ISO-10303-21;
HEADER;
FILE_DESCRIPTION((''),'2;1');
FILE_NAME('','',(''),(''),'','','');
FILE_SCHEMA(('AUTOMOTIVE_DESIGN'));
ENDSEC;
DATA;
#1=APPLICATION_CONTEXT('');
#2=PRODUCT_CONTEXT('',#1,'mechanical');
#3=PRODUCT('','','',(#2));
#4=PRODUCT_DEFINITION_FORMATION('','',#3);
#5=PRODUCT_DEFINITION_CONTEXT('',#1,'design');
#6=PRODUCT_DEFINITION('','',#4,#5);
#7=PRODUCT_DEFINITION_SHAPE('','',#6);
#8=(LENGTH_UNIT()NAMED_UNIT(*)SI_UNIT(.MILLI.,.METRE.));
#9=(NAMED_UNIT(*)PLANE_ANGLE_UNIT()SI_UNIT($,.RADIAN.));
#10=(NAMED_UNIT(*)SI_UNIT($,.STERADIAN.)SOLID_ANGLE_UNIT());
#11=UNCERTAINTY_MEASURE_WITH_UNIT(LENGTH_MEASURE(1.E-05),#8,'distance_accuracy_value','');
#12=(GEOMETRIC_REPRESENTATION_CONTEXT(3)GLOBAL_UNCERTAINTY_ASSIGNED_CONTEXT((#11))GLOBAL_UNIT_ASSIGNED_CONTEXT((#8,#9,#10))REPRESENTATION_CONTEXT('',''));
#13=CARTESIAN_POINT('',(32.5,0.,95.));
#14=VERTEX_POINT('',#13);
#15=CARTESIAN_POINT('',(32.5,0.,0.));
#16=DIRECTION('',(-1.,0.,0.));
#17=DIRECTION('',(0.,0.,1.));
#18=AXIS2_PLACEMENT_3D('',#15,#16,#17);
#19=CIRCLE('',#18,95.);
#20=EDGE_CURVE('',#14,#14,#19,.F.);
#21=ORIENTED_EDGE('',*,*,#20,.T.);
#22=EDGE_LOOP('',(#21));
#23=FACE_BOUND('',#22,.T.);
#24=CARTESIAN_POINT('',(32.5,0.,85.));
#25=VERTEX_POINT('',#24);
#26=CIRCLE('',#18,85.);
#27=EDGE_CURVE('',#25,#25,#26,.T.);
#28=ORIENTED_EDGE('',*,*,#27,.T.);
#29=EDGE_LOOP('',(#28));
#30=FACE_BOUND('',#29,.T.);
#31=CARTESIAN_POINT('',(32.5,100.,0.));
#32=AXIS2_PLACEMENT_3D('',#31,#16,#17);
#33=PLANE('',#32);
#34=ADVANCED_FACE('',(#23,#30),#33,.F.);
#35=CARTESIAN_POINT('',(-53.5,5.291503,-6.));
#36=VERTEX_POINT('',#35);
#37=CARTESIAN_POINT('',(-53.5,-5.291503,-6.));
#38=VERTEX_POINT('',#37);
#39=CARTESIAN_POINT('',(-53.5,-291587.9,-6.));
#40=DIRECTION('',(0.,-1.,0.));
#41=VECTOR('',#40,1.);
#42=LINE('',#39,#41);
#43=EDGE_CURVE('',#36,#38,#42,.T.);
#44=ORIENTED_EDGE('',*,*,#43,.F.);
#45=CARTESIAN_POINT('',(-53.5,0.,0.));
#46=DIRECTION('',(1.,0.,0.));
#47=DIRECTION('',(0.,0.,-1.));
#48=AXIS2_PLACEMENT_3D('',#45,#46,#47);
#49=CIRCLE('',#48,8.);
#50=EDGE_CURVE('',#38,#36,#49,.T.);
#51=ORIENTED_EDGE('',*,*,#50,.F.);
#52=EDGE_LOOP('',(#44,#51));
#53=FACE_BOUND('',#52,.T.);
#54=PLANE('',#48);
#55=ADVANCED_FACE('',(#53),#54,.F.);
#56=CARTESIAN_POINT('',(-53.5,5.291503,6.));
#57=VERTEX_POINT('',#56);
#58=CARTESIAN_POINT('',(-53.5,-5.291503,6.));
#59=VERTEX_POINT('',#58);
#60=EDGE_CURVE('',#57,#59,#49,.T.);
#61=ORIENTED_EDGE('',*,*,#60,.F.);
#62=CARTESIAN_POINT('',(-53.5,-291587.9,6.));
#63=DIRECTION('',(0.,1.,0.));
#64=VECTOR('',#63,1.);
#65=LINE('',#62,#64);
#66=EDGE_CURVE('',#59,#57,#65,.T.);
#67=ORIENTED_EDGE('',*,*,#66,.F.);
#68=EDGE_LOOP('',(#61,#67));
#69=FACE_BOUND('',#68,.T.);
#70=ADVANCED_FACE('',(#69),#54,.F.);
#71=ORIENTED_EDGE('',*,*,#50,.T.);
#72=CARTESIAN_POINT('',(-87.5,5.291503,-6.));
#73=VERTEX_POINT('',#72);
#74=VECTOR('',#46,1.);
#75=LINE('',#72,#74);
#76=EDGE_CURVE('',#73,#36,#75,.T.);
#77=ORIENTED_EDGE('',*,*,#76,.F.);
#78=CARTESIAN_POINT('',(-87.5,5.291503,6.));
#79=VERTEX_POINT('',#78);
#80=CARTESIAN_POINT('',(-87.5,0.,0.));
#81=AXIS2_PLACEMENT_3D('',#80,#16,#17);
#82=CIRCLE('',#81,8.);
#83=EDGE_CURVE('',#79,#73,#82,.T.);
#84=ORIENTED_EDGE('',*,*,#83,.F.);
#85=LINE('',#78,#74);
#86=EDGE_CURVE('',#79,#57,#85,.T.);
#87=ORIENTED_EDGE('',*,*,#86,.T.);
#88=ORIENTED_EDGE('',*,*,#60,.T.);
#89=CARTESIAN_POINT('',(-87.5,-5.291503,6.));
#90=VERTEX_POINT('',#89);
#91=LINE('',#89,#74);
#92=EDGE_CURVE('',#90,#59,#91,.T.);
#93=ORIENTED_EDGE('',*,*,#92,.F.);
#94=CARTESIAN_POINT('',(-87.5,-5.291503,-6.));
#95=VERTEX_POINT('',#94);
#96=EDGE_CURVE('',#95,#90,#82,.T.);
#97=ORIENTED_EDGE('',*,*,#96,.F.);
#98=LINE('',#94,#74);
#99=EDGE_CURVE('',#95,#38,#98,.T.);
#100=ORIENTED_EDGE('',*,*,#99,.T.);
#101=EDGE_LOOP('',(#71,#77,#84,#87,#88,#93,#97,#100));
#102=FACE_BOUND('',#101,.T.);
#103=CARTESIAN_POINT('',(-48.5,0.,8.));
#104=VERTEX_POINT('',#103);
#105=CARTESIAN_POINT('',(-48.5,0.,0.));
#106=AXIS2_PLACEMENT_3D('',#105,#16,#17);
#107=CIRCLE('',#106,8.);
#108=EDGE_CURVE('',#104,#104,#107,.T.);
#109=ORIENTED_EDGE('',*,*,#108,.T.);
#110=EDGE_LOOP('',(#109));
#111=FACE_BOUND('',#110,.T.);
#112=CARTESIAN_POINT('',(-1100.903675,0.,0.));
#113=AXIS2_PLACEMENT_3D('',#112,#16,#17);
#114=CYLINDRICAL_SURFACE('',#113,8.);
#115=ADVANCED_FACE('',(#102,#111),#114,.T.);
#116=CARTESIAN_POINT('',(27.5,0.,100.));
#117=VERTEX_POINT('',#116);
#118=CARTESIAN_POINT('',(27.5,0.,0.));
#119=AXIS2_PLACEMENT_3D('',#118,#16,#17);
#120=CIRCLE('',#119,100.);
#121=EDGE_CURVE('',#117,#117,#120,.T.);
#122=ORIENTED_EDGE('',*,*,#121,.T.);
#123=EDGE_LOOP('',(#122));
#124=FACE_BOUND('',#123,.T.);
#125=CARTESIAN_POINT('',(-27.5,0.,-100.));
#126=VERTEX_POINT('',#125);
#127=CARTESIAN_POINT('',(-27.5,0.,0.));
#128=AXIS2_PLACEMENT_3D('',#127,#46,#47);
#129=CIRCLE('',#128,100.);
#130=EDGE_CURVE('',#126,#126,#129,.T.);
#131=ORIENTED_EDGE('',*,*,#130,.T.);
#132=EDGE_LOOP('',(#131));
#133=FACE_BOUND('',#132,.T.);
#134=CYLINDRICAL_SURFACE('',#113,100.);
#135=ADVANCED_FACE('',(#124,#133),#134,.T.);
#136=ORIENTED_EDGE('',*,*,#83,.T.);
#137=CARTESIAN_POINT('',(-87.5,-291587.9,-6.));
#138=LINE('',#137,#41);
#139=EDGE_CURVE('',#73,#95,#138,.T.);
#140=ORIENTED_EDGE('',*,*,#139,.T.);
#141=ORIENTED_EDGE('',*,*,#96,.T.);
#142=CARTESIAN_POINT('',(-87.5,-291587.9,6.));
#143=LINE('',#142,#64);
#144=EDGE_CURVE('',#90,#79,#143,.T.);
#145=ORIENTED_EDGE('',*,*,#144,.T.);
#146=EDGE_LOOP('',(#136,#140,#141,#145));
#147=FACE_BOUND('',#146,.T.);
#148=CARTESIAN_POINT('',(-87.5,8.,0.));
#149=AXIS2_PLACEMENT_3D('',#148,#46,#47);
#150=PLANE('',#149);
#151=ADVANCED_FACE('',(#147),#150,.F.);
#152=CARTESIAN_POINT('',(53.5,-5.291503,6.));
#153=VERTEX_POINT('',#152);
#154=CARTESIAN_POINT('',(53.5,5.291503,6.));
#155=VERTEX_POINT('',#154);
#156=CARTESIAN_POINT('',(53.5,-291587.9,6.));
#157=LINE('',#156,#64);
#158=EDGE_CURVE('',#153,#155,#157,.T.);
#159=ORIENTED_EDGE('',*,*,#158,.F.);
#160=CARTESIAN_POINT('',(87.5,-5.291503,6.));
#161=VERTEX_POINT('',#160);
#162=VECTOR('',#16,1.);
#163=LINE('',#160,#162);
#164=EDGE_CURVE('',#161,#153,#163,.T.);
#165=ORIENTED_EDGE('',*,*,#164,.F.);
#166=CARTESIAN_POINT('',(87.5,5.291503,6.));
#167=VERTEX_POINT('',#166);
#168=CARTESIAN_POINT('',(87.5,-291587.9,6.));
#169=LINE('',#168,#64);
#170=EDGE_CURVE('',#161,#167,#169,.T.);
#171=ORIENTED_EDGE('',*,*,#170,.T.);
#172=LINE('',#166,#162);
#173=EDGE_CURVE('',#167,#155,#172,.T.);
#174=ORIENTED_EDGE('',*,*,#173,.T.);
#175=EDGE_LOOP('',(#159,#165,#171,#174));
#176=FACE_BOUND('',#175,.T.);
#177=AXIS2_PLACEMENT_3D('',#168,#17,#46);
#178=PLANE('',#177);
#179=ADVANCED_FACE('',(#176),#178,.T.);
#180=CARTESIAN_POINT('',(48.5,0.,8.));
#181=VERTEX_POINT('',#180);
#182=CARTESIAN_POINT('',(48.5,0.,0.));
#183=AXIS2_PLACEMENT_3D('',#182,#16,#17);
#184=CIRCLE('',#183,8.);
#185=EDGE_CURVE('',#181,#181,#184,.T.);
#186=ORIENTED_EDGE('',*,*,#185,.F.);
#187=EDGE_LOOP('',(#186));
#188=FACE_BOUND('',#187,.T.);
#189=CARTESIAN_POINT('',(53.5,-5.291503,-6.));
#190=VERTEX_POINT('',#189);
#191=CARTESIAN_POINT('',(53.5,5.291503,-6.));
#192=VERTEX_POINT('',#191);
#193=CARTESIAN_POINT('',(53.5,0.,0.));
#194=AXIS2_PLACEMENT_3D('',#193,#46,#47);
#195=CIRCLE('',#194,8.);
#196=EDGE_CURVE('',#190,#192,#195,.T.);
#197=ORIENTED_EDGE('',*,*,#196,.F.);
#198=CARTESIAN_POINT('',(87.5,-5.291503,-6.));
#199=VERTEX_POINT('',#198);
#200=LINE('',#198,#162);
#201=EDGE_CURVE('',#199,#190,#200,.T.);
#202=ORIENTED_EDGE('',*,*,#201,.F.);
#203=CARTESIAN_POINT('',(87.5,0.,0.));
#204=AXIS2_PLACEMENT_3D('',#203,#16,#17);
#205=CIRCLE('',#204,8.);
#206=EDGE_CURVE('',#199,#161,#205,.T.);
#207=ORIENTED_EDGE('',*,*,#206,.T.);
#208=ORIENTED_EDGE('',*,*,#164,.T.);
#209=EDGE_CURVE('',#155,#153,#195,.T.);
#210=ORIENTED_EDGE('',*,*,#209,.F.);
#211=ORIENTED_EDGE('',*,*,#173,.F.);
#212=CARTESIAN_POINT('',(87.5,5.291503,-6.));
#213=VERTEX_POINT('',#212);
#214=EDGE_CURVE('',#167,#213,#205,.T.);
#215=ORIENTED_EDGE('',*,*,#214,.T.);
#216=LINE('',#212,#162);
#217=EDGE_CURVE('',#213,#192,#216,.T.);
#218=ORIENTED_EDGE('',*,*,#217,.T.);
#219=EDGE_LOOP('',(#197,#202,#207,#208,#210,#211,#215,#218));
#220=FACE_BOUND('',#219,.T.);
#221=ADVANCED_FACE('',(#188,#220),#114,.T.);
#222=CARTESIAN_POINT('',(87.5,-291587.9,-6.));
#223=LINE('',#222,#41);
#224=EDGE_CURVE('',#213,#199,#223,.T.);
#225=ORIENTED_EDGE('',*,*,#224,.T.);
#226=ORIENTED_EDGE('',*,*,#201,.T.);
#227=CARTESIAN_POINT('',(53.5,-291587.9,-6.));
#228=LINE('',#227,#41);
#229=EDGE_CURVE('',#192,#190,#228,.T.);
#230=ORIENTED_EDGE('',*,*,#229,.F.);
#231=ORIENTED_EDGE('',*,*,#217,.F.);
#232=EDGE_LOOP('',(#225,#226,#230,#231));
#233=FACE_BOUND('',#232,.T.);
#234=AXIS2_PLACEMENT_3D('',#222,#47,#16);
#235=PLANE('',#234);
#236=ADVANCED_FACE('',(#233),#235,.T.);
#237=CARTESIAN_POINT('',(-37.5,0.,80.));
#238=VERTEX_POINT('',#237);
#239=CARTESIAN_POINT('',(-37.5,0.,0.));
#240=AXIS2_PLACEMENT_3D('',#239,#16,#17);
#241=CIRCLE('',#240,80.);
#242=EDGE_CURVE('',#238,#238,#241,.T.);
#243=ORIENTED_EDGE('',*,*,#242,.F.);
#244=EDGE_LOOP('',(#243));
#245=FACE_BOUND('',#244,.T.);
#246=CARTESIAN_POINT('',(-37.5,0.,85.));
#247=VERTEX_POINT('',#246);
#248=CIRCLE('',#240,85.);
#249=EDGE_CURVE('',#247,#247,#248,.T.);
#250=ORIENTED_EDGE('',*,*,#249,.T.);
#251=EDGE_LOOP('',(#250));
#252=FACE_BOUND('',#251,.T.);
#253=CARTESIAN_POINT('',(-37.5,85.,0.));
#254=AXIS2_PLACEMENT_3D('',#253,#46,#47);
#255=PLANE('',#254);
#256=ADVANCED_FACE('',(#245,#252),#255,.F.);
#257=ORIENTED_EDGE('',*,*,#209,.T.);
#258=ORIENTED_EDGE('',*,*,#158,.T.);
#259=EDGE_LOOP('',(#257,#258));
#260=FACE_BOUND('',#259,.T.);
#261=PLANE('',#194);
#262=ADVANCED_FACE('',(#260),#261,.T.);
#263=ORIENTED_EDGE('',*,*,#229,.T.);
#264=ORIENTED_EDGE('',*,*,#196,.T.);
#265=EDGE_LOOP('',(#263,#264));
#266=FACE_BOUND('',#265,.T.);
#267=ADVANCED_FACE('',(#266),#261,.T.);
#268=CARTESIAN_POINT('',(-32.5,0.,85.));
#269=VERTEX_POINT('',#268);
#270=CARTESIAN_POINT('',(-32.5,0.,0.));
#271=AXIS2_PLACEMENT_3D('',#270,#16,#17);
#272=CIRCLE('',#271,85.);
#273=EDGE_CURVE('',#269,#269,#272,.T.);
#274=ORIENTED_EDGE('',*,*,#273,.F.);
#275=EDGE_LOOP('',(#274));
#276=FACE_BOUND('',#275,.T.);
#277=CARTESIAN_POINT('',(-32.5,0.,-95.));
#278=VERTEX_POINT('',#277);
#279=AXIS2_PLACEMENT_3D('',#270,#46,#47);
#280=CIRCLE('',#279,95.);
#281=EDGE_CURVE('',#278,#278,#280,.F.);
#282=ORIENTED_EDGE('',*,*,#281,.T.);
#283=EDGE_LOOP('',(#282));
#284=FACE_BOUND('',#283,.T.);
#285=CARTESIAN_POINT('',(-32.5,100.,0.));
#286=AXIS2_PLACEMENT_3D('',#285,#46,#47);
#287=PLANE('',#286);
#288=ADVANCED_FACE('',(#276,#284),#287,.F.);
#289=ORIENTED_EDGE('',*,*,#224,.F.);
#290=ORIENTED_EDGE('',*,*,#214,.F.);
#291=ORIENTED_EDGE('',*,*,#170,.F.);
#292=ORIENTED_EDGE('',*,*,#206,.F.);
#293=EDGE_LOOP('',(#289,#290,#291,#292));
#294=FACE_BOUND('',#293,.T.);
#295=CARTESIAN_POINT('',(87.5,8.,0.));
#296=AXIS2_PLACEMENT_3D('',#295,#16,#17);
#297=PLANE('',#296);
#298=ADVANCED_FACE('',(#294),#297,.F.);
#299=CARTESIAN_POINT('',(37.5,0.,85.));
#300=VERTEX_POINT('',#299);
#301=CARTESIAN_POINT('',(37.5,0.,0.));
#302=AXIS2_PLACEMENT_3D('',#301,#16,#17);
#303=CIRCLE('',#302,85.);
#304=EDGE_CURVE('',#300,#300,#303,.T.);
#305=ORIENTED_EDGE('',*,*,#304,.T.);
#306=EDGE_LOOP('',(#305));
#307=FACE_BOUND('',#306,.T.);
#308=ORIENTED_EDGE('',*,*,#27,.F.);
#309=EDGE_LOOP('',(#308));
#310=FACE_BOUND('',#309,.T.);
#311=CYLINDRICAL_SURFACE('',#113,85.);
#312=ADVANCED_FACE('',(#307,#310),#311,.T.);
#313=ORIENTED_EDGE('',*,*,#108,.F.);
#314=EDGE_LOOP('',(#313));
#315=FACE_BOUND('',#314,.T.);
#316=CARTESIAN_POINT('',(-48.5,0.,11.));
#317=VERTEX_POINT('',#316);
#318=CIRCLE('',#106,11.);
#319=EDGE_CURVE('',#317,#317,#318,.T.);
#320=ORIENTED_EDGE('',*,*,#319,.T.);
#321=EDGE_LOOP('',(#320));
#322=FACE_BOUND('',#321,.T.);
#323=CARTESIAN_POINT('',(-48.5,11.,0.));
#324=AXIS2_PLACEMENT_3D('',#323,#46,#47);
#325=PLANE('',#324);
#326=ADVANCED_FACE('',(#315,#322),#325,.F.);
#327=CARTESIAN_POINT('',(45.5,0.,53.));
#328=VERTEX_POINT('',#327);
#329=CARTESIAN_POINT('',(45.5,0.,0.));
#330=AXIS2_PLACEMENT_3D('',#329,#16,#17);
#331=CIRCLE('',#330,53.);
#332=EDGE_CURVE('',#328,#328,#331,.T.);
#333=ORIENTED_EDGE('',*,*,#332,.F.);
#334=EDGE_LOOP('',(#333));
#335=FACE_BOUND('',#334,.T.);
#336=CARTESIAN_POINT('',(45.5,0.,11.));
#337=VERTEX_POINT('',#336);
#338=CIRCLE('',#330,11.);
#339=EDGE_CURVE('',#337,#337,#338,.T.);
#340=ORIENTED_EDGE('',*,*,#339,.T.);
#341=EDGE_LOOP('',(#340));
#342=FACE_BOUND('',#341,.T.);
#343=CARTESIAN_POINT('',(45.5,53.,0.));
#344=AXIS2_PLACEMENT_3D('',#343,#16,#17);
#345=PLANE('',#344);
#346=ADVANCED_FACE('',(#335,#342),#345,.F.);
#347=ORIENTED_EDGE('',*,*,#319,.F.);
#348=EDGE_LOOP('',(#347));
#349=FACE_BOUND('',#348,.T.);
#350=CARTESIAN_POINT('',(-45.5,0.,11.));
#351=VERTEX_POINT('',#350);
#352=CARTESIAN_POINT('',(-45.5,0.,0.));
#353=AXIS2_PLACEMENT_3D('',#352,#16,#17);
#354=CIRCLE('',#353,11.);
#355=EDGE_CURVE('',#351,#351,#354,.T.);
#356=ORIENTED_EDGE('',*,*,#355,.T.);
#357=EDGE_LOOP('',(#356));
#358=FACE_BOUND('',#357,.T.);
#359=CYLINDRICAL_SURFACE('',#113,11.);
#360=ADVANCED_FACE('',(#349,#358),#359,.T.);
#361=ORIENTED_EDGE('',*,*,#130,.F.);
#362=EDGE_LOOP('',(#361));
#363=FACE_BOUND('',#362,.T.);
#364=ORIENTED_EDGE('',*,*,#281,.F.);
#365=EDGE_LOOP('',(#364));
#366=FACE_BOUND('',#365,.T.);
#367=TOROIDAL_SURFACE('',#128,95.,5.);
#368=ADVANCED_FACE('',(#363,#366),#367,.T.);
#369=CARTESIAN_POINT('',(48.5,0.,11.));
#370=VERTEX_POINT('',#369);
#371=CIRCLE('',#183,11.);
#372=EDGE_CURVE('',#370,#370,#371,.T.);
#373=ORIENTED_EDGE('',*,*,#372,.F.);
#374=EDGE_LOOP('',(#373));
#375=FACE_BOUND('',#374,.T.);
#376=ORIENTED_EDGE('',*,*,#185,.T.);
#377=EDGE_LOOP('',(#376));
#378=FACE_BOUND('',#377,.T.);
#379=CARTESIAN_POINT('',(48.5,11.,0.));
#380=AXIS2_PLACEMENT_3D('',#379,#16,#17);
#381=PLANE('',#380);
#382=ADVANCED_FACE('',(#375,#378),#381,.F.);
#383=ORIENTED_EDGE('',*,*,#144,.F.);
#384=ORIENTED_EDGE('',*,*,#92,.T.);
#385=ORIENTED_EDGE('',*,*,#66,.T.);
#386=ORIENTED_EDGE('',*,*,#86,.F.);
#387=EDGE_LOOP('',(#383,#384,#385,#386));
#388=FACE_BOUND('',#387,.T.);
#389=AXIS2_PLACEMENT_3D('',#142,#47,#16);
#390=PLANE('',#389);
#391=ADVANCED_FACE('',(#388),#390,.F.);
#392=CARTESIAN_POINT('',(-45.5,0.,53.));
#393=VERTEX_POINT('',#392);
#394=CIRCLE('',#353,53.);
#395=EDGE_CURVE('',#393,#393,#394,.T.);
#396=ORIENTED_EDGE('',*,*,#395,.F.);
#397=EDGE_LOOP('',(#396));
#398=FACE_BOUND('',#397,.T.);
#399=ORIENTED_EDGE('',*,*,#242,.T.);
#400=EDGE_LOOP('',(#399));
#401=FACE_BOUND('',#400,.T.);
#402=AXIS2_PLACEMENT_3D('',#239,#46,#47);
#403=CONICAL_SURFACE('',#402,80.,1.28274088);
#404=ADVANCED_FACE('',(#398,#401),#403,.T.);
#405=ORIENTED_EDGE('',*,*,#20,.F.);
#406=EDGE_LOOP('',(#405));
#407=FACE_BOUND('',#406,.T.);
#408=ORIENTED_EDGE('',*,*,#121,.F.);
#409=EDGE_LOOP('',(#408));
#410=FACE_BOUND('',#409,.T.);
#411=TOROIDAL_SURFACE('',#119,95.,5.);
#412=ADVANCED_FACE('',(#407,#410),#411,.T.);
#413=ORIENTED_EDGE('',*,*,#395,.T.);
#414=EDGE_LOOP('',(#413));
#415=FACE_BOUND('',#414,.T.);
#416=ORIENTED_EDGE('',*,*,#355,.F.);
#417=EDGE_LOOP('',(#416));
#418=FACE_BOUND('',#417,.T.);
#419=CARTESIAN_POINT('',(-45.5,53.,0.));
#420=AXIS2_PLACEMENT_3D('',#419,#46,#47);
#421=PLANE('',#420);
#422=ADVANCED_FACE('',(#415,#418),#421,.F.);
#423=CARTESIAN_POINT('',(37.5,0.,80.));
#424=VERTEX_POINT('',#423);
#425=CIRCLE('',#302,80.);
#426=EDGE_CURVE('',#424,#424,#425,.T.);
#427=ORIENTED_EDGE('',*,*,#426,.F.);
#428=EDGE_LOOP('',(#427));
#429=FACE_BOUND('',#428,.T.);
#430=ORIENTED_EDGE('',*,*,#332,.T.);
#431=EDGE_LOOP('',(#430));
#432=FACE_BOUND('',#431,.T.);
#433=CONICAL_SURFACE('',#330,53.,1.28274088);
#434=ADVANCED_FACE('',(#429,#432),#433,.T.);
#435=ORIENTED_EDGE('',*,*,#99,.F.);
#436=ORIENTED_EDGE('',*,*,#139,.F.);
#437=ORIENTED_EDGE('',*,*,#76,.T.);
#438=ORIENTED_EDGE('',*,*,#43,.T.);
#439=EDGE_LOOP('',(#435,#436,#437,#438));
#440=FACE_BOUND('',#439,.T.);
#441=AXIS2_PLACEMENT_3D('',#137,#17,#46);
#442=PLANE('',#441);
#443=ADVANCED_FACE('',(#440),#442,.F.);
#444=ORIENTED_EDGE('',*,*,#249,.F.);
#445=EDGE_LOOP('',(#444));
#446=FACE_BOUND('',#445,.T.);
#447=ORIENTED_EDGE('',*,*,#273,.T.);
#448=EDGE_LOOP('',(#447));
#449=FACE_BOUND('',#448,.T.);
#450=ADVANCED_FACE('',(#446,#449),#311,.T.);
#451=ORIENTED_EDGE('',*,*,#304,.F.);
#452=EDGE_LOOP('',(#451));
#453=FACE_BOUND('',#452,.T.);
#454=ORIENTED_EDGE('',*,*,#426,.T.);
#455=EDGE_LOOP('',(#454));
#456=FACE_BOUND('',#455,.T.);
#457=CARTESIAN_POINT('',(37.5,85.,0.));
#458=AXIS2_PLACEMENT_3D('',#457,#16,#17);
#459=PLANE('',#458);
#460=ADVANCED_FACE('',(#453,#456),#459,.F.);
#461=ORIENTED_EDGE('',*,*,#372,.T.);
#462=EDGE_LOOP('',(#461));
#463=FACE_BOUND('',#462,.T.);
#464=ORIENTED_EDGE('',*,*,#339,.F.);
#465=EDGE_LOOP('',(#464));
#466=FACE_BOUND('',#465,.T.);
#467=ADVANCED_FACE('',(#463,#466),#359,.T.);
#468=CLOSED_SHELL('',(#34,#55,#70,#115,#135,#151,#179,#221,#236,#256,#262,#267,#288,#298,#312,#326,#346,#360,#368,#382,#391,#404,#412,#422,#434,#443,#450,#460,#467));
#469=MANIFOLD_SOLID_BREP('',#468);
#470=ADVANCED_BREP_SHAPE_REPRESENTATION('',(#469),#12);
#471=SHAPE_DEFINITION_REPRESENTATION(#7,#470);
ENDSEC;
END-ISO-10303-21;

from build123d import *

# Parameters (mm, degrees)
FILLET_1_R           = 5
CUT_EXTRUDE_START    = -53.5
SKETCH_2_OUTSIDE_W   = 268.52
SKETCH_2_OUTSIDE_H   = 268.52
CUT_EXTRUDE_1_DEPTH  = 35
CUT_EXTRUDE_START_2  = 53.5
SKETCH_2_2_OUTSIDE_W = 268.52
SKETCH_2_2_OUTSIDE_H = 268.52
CUT_EXTRUDE_2_DEPTH  = 35


with BuildPart() as part:
    # Эскиз1 → Повернуть1 (revolve)
    with BuildSketch(Plane.XY):
        Polygon((-32.5, 100), (32.5, 100), (32.5, 85), (37.5, 85), (37.5, 80), (45.5, 53), (45.5, 11), (48.5, 11), (48.5, 8), (87.5, 8), (87.5, 0), (-87.5, 0), (-87.5, 8), (-48.5, 8), (-48.5, 11), (-45.5, 11), (-45.5, 53), (-37.5, 80), (-37.5, 85), (-32.5, 85), align=None)
    revolve(axis=Axis((-1100.903674864, 0, 0), (1, 0, 0)))

    # Скругление1
    fillet_1_edges = [part.edges().sort_by_distance(p)[0] for p in [
        (32.5, -100, 0),
        (-32.5, -100, 0),
    ]]
    fillet(fillet_1_edges, radius=FILLET_1_R)

    # Эскиз2 outside → Вырез-Вытянуть1 (cut, through all)
    with BuildSketch(Plane(origin=(0, 0, 0), x_dir=(0, 0, -1), z_dir=(1, 0, 0)).offset(CUT_EXTRUDE_START)):
        Rectangle(SKETCH_2_OUTSIDE_W, SKETCH_2_OUTSIDE_H)
        with BuildLine():
            Line((-6, 5.291502622), (-6, -5.291502622))
            ThreePointArc((-6, -5.291502622), (0, -8), (6, -5.291502622))
            Line((6, -5.291502622), (6, 5.291502622))
            ThreePointArc((6, 5.291502622), (0, 8), (-6, 5.291502622))
        make_face(mode=Mode.SUBTRACT)
    extrude(amount=-CUT_EXTRUDE_1_DEPTH, mode=Mode.SUBTRACT)

    # Эскиз2<2> outside → Вырез-Вытянуть2 (cut, through all)
    with BuildSketch(Plane(origin=(0, 0, 0), x_dir=(0, 0, -1), z_dir=(1, 0, 0)).offset(CUT_EXTRUDE_START_2)):
        Rectangle(SKETCH_2_2_OUTSIDE_W, SKETCH_2_2_OUTSIDE_H)
        with BuildLine():
            Line((-6, 5.291502622), (-6, -5.291502622))
            ThreePointArc((-6, -5.291502622), (0, -8), (6, -5.291502622))
            Line((6, -5.291502622), (6, 5.291502622))
            ThreePointArc((6, 5.291502622), (0, 8), (-6, 5.291502622))
        make_face(mode=Mode.SUBTRACT)
    extrude(amount=CUT_EXTRUDE_2_DEPTH, mode=Mode.SUBTRACT)


solid = part.part
